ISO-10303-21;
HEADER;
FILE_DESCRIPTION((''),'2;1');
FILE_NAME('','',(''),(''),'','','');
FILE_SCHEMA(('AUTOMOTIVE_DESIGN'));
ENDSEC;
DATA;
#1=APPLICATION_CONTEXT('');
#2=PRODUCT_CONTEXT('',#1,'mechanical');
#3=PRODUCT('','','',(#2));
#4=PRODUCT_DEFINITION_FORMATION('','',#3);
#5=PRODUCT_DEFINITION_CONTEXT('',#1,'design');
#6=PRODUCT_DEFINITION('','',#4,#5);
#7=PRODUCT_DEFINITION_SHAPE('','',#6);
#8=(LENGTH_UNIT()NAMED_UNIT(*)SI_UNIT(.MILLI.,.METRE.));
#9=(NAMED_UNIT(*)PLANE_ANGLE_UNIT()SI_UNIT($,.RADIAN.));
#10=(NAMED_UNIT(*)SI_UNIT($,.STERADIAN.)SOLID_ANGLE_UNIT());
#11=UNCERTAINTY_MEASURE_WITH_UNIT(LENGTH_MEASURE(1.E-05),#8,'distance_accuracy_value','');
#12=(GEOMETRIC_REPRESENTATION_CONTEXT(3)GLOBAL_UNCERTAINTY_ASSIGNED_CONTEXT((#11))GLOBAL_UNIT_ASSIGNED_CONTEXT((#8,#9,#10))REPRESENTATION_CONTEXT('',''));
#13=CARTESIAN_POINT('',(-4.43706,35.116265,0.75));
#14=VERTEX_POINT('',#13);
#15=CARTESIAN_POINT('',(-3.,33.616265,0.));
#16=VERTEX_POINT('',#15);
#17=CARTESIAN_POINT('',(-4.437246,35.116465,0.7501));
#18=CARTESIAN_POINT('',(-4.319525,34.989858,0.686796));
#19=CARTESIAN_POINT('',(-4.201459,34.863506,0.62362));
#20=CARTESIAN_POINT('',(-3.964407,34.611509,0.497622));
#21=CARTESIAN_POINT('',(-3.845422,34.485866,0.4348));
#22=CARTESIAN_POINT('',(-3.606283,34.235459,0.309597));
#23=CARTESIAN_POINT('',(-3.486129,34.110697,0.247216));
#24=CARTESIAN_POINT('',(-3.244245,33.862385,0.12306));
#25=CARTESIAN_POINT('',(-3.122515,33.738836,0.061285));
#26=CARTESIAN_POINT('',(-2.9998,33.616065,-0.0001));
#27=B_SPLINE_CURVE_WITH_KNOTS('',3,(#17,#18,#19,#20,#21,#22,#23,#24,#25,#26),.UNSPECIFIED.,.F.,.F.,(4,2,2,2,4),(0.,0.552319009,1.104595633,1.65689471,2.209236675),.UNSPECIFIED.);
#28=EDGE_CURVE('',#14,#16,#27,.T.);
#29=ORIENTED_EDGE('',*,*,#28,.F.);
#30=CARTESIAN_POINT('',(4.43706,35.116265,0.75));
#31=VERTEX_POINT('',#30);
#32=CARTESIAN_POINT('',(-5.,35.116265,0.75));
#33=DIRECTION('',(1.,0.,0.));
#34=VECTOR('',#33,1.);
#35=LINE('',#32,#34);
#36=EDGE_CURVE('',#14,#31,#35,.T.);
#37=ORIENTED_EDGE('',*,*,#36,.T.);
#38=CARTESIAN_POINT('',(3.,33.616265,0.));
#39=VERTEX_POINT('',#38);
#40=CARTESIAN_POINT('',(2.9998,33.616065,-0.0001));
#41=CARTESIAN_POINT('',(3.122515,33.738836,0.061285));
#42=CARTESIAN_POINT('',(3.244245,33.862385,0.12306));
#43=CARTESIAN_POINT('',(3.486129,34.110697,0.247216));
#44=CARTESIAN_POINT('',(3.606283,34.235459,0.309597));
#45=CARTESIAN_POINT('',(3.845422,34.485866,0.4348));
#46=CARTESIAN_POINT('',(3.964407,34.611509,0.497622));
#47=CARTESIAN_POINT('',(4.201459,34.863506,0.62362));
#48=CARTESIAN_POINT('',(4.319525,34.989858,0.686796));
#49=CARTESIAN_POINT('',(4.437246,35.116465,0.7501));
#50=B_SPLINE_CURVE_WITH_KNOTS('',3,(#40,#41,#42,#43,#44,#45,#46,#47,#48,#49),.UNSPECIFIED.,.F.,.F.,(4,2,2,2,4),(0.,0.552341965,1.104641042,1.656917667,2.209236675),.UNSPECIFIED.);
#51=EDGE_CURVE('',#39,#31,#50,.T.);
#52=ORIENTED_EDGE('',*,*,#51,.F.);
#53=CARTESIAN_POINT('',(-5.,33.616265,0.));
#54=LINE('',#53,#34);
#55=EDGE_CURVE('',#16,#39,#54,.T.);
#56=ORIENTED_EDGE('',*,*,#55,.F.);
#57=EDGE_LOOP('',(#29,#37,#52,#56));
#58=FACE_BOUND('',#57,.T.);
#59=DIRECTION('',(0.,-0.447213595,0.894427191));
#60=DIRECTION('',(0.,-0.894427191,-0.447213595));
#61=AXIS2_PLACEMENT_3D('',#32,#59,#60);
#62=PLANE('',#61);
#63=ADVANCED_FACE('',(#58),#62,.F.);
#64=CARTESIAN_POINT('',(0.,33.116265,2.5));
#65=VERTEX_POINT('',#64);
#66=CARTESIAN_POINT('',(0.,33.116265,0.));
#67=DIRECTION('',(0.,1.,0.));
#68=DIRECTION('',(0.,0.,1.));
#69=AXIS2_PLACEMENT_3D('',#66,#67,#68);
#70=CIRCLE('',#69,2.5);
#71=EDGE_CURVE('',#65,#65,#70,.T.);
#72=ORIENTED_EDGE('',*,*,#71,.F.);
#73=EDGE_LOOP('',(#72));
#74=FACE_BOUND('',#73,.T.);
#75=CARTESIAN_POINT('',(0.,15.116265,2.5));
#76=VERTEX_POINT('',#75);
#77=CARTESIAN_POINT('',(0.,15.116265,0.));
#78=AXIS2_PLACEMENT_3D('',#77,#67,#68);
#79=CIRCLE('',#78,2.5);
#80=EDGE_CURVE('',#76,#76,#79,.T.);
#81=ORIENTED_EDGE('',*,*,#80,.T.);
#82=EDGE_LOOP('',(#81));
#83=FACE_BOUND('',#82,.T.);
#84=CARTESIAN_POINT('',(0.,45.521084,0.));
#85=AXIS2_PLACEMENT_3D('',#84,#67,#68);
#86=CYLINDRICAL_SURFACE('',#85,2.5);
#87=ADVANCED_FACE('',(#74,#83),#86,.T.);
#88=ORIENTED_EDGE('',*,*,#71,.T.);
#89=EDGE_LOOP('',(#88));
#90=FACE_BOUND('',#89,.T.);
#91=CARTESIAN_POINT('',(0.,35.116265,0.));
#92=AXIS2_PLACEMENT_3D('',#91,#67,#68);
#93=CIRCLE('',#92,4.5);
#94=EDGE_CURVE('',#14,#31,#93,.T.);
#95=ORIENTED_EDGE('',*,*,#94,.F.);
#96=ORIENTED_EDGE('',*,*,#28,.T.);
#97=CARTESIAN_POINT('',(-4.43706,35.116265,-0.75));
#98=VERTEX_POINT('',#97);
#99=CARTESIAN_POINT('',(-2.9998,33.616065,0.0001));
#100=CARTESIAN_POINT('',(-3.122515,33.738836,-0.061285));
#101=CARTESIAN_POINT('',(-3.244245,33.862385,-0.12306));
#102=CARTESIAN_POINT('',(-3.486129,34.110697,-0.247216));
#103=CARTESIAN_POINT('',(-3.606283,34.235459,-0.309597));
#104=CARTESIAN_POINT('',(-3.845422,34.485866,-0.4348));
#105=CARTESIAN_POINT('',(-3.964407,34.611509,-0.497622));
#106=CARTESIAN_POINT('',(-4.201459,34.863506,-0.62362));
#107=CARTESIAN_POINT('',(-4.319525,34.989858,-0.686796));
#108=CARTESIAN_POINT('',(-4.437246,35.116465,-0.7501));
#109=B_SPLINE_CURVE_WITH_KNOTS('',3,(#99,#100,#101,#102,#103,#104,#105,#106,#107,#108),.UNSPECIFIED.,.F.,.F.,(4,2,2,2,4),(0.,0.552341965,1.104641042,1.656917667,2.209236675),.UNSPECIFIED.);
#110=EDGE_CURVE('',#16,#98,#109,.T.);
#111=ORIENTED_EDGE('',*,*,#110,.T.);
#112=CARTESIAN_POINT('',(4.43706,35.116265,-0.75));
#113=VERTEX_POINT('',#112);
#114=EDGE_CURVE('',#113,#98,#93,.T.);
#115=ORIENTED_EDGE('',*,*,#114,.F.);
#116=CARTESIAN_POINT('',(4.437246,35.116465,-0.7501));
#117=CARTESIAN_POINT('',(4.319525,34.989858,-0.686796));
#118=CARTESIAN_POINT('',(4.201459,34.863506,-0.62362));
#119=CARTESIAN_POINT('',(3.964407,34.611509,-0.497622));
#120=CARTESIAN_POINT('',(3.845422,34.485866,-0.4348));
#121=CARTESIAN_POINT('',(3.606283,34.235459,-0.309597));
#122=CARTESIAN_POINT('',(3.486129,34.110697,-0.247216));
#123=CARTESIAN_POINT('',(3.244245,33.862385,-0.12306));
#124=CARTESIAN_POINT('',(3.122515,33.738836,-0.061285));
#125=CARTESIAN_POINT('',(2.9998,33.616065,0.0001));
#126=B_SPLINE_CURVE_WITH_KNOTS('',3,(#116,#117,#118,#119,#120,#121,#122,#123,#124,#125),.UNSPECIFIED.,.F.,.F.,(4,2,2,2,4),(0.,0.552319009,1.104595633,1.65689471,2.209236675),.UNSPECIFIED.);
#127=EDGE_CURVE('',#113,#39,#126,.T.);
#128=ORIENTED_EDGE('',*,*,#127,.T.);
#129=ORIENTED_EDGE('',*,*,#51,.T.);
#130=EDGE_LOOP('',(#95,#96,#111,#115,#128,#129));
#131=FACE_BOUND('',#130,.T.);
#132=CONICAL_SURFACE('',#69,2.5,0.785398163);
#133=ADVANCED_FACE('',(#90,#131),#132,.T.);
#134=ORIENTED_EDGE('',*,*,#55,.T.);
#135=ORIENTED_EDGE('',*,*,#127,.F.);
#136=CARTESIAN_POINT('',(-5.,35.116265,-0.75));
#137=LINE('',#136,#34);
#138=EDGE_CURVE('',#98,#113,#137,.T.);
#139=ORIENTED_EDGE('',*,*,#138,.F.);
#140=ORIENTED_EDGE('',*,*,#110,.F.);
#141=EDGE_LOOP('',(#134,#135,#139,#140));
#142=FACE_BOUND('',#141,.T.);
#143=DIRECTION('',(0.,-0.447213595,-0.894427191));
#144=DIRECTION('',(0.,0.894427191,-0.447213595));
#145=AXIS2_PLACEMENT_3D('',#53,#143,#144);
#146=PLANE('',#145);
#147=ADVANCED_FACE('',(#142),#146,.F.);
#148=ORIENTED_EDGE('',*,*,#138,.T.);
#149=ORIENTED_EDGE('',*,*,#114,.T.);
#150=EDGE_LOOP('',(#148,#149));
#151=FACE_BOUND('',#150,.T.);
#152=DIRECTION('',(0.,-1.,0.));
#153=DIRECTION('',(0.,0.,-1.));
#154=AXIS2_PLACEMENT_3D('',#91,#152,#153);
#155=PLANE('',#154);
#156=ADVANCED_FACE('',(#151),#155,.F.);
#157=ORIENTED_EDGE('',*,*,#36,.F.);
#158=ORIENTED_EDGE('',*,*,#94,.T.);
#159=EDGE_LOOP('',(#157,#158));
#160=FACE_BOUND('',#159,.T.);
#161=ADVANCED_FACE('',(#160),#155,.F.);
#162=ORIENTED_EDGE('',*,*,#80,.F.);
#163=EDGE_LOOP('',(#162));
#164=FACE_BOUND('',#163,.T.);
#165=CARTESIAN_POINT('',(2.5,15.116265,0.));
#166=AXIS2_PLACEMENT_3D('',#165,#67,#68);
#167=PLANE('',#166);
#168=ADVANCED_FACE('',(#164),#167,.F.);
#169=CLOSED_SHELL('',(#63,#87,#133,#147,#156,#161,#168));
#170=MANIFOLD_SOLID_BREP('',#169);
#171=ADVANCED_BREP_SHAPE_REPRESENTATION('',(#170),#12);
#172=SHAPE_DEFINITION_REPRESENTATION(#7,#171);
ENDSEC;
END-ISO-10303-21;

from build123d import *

# Parameters (mm, degrees)
EXTRUDE1_DEPTH = 5


with BuildPart() as part:
    # Sketch1 → Revolve1 (revolve)
    with BuildSketch(Plane.XY, mode=Mode.PRIVATE) as revolve1_sk:
        Polygon((0, 35.11626506), (4.5, 35.11626506), (2.5, 33.11626506), (2.5, 15.11626506), (0, 15.11626506), align=None)
    revolve(revolve1_sk.sketch.rotate(Axis((0, 45.521084337, 0), (0, -1, 0)), 90), axis=Axis((0, 45.521084337, 0), (0, -1, 0)))

    # Sketch2 → Extrude1 (cut, symmetric)
    with BuildSketch(Plane(origin=(0, 0, 0), x_dir=(0, 0, -1), z_dir=(1, 0, 0))):
        Polygon((-0.75, 35.11626506), (0, 33.61626506), (0.75, 35.11626506), align=None)
    extrude(amount=EXTRUDE1_DEPTH, both=True, mode=Mode.SUBTRACT)


solid = part.part
